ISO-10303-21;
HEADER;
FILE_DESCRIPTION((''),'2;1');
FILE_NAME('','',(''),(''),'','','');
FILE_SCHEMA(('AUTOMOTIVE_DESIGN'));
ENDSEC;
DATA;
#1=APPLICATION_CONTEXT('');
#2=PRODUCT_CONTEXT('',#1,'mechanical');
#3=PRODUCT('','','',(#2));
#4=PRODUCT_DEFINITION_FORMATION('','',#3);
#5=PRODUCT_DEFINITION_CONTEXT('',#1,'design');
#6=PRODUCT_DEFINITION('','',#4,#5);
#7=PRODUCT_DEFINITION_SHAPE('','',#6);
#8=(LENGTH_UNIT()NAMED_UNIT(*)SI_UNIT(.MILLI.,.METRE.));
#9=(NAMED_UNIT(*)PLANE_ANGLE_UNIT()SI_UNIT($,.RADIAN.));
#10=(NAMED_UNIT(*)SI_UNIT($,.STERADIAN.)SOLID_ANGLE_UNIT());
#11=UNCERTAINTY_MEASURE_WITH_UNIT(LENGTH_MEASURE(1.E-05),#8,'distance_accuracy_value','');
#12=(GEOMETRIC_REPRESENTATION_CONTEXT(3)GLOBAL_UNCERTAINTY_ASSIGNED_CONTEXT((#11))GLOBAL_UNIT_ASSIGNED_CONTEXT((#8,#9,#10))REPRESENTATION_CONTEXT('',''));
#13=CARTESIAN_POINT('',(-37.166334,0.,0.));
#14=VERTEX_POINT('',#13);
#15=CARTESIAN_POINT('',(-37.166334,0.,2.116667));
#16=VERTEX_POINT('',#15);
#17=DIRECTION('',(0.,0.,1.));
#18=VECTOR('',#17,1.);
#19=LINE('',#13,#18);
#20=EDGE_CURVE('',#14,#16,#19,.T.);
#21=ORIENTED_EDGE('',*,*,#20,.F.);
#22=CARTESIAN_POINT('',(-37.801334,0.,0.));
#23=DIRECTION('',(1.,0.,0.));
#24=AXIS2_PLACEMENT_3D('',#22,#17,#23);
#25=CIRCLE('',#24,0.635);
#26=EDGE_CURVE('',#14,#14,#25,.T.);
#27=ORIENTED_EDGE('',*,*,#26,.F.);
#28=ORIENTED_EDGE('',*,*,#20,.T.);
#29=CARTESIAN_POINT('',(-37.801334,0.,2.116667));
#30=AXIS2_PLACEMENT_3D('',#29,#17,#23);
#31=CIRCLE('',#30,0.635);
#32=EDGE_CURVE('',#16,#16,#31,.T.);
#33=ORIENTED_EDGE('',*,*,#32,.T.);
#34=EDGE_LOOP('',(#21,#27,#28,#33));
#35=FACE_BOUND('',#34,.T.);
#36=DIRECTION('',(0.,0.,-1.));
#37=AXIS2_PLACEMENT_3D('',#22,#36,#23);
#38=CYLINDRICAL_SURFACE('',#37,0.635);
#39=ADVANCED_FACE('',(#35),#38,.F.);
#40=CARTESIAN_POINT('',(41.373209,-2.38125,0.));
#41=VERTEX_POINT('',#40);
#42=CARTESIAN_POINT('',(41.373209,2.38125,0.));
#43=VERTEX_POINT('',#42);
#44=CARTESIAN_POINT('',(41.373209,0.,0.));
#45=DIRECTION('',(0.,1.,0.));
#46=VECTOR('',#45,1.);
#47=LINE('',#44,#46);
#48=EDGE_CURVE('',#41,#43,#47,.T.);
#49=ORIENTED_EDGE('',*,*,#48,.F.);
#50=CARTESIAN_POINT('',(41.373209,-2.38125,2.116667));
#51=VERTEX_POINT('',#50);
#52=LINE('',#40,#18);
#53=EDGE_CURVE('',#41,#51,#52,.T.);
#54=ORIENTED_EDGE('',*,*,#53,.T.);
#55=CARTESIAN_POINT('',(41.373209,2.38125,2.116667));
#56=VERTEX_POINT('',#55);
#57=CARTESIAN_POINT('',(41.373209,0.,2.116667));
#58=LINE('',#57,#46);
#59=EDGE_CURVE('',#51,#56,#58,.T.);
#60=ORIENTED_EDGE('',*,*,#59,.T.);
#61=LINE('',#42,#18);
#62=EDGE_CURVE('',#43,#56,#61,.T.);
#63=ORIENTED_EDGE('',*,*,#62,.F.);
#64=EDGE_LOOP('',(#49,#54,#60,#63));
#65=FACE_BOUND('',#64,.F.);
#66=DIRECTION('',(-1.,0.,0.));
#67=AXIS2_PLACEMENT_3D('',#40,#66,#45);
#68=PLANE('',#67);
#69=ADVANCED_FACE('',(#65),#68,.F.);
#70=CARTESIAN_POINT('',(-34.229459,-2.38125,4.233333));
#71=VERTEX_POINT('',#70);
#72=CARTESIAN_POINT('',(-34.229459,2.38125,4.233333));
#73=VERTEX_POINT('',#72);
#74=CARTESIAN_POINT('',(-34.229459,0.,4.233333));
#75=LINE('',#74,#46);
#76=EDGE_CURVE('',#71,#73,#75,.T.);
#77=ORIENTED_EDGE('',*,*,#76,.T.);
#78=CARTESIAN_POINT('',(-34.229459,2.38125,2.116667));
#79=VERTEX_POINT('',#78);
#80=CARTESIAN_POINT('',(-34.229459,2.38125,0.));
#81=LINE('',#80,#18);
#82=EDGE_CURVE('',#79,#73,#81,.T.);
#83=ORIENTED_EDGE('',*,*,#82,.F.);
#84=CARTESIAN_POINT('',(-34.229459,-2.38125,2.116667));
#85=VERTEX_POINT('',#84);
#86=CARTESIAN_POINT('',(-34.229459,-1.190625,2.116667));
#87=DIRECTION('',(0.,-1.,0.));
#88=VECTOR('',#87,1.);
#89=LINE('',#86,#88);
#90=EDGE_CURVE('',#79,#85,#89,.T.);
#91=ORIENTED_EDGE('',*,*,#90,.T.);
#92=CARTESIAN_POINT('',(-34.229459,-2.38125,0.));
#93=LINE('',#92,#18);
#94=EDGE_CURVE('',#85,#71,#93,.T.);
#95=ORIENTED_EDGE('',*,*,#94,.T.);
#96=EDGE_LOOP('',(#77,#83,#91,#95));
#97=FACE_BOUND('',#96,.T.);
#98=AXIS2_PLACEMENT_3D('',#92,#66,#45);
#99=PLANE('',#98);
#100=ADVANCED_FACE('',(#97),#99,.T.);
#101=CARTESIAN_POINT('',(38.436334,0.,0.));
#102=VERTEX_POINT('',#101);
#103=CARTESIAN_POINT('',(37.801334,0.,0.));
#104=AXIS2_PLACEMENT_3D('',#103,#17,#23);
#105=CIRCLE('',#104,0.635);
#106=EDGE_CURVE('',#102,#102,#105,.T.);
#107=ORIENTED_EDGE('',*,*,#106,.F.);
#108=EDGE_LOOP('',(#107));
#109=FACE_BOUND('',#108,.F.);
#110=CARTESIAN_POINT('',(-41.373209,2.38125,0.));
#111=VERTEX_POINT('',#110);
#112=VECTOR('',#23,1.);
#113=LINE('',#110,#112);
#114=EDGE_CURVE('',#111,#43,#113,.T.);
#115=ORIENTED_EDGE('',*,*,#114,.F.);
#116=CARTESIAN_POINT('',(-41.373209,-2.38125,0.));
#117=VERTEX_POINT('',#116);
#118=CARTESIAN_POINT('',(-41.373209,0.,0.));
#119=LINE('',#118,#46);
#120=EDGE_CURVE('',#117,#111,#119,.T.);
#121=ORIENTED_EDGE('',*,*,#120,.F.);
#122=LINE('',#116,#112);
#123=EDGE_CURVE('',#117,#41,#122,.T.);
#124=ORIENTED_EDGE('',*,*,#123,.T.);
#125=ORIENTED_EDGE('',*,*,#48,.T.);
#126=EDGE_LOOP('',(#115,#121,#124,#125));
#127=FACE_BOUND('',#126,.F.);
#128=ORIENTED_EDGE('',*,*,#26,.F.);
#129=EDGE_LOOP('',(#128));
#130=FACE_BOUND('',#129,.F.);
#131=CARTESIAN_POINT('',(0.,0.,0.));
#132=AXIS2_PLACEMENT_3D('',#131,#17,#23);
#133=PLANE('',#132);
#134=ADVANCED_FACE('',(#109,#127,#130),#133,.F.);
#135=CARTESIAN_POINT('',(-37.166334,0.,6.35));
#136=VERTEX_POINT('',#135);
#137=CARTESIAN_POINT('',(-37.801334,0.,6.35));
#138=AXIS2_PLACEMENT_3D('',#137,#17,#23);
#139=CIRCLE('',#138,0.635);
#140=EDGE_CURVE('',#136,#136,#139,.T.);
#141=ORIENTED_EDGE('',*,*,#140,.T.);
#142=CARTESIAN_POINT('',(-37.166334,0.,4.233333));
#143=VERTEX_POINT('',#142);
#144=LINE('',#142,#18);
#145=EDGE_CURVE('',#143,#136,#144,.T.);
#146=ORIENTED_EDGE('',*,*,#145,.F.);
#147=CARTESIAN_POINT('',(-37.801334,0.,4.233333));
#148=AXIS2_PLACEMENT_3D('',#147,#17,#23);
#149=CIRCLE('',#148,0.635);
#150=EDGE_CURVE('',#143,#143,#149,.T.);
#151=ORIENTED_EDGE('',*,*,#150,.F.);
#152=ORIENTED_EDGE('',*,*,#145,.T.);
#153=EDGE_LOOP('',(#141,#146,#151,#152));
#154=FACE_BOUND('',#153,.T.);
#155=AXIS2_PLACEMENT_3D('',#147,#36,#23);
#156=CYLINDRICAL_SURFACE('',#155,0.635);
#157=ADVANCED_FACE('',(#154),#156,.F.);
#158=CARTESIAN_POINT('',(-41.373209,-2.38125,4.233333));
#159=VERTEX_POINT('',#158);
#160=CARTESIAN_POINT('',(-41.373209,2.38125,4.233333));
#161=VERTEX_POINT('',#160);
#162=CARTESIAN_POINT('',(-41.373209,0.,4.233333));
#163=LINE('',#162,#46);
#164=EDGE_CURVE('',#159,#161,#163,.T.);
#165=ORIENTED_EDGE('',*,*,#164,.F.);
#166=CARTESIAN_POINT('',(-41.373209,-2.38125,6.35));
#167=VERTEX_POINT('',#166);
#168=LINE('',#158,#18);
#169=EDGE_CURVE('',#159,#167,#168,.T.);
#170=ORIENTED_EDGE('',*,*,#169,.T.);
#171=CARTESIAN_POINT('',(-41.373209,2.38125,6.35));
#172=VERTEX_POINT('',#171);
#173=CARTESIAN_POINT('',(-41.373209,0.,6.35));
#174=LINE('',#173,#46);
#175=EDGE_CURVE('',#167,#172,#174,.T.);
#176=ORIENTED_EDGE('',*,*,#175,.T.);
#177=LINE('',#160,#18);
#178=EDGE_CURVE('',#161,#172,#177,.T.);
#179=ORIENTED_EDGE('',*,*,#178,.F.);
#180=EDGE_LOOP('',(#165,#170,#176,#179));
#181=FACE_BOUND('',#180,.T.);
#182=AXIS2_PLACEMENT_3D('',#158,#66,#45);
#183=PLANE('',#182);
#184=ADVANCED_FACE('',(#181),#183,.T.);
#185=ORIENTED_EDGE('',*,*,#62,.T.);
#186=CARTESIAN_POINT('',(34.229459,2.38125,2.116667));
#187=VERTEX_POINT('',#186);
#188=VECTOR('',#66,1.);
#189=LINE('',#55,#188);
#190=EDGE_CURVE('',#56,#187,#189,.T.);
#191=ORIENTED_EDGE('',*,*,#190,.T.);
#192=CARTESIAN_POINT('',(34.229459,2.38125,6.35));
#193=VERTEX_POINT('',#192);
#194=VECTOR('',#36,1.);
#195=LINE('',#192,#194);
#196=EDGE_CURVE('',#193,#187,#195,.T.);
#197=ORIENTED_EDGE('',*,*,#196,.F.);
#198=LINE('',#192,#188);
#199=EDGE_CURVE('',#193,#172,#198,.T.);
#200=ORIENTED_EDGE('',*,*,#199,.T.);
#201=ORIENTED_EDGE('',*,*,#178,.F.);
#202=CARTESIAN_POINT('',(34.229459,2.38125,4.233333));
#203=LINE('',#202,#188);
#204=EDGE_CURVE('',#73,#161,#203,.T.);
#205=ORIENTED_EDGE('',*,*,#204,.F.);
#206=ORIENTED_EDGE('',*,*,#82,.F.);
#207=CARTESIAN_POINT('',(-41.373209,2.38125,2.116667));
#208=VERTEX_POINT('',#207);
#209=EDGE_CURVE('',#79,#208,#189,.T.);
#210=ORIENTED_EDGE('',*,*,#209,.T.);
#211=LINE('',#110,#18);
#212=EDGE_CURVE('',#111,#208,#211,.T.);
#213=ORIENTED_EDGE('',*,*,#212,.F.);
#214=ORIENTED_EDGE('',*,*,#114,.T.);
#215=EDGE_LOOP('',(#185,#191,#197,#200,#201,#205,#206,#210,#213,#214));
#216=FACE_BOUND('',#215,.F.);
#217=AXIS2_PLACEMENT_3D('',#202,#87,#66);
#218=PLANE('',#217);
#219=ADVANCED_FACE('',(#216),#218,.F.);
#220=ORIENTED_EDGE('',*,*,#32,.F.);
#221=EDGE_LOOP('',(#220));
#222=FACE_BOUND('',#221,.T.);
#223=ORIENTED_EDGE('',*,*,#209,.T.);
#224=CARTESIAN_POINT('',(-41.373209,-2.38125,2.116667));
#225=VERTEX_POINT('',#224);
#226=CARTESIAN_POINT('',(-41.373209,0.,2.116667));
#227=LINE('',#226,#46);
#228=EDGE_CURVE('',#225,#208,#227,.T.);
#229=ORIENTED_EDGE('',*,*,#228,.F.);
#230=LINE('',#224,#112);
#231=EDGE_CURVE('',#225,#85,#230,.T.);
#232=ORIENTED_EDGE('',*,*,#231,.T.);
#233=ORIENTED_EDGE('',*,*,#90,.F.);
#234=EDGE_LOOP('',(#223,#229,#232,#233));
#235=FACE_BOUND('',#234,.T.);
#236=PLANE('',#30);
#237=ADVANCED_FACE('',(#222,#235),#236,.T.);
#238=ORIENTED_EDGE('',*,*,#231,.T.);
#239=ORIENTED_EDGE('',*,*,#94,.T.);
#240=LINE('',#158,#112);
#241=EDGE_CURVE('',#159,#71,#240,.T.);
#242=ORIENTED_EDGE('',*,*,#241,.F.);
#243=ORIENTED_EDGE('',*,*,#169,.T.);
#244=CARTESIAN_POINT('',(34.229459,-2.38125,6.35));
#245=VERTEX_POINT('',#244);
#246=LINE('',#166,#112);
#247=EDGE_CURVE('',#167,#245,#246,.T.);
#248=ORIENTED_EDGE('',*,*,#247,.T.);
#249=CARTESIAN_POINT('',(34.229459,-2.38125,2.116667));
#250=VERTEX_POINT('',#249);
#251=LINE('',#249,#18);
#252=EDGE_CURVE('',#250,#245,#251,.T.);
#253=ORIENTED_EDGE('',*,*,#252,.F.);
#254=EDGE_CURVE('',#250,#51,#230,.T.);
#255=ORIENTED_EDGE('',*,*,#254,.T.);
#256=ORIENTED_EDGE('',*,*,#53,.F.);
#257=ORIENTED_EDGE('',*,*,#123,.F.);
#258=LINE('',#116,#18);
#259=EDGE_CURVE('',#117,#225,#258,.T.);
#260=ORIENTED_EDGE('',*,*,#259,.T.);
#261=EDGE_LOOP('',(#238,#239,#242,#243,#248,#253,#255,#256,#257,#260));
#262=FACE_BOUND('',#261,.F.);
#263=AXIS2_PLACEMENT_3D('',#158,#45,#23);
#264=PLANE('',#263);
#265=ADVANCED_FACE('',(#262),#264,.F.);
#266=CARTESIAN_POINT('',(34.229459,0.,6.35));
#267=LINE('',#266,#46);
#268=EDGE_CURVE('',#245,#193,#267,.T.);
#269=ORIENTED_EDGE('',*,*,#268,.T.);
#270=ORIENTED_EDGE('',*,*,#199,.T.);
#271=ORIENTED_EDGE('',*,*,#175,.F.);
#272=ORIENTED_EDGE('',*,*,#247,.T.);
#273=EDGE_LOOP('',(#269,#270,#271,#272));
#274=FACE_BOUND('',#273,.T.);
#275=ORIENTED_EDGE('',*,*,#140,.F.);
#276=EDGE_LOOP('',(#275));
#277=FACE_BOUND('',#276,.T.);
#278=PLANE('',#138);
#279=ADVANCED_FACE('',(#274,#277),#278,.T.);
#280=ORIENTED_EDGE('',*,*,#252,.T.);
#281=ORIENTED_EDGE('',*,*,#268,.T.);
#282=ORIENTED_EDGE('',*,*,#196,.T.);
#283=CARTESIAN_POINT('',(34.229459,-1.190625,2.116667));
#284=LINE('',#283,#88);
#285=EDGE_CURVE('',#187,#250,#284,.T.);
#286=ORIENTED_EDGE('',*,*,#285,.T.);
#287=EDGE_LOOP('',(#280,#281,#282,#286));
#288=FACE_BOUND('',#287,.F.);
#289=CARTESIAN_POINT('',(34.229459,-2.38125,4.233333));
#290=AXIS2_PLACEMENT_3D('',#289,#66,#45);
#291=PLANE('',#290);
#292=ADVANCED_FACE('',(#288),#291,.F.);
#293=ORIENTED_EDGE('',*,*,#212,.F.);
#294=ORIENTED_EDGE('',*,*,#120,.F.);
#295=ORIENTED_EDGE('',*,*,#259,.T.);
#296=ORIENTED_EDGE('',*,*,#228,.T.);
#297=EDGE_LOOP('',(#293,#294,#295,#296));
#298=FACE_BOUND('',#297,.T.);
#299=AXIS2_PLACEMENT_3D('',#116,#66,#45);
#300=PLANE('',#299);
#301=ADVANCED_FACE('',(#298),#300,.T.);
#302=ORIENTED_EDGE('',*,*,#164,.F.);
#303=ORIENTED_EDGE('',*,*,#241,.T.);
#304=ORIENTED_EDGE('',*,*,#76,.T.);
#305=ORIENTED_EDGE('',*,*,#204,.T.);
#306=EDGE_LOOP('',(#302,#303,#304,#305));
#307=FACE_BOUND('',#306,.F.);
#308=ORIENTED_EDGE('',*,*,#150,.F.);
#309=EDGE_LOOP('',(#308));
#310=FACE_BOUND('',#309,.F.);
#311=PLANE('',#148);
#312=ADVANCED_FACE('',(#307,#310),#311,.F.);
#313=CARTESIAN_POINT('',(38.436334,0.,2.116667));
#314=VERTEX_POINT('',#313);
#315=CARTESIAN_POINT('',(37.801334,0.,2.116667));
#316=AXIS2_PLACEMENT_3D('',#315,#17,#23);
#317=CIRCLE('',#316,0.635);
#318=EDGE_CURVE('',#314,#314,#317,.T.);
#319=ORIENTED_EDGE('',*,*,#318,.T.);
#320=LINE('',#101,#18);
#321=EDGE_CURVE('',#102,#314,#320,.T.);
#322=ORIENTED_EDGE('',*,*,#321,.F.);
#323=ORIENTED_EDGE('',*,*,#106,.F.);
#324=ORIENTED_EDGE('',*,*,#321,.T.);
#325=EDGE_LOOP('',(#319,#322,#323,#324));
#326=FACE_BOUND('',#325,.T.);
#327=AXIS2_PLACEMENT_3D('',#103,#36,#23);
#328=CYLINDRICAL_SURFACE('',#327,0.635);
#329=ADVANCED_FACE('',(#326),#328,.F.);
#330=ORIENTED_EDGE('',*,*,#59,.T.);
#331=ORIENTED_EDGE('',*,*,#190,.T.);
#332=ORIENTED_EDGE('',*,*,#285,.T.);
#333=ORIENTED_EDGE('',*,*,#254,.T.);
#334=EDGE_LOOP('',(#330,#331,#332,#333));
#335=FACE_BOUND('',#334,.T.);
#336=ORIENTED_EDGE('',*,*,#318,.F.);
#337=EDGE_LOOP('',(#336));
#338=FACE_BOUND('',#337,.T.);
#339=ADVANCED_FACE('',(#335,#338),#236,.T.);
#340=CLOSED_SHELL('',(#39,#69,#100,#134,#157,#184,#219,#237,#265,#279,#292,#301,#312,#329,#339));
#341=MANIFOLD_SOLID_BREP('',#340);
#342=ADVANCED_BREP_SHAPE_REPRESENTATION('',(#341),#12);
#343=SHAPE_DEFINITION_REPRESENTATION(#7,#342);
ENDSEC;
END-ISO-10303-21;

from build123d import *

# Parameters (mm, degrees)
F0_W     = 7.14375
F0_H     = 4.7625
F0_R     = 0.635
F0_W_2   = 68.4589182
F1_DEPTH = 2.1166666667
F2_DEPTH = 4.2333333333
F3_START = 4.2333333333
F3_DEPTH = 2.1166666667


with BuildPart() as f1:
    # F0 (on Top) → F1 (new body)
    with BuildSketch(Plane.XY):
        with Locations((-37.8013341, 0)):
            Rectangle(F0_W, F0_H)
        with Locations((-37.8013341, 0)):
            Circle(F0_R, mode=Mode.SUBTRACT)
        Rectangle(F0_W_2, F0_H)
        with Locations((37.8013341, 0)):
            Rectangle(F0_W, F0_H)
        with Locations((37.8013341, 0)):
            Circle(F0_R, mode=Mode.SUBTRACT)
    extrude(amount=F1_DEPTH)

    # F0 (on Top) → F2 (join)
    with BuildSketch(Plane.XY):
        Rectangle(F0_W_2, F0_H)
    extrude(amount=F2_DEPTH)

    # F0 (on Top) → F3 (join)
    with BuildSketch(Plane.XY.offset(F3_START)):
        with Locations((-37.8013341, 0)):
            Rectangle(F0_W, F0_H)
        with Locations((-37.8013341, 0)):
            Circle(F0_R, mode=Mode.SUBTRACT)
        Rectangle(F0_W_2, F0_H)
    extrude(amount=F3_DEPTH)


solid = f1.part
